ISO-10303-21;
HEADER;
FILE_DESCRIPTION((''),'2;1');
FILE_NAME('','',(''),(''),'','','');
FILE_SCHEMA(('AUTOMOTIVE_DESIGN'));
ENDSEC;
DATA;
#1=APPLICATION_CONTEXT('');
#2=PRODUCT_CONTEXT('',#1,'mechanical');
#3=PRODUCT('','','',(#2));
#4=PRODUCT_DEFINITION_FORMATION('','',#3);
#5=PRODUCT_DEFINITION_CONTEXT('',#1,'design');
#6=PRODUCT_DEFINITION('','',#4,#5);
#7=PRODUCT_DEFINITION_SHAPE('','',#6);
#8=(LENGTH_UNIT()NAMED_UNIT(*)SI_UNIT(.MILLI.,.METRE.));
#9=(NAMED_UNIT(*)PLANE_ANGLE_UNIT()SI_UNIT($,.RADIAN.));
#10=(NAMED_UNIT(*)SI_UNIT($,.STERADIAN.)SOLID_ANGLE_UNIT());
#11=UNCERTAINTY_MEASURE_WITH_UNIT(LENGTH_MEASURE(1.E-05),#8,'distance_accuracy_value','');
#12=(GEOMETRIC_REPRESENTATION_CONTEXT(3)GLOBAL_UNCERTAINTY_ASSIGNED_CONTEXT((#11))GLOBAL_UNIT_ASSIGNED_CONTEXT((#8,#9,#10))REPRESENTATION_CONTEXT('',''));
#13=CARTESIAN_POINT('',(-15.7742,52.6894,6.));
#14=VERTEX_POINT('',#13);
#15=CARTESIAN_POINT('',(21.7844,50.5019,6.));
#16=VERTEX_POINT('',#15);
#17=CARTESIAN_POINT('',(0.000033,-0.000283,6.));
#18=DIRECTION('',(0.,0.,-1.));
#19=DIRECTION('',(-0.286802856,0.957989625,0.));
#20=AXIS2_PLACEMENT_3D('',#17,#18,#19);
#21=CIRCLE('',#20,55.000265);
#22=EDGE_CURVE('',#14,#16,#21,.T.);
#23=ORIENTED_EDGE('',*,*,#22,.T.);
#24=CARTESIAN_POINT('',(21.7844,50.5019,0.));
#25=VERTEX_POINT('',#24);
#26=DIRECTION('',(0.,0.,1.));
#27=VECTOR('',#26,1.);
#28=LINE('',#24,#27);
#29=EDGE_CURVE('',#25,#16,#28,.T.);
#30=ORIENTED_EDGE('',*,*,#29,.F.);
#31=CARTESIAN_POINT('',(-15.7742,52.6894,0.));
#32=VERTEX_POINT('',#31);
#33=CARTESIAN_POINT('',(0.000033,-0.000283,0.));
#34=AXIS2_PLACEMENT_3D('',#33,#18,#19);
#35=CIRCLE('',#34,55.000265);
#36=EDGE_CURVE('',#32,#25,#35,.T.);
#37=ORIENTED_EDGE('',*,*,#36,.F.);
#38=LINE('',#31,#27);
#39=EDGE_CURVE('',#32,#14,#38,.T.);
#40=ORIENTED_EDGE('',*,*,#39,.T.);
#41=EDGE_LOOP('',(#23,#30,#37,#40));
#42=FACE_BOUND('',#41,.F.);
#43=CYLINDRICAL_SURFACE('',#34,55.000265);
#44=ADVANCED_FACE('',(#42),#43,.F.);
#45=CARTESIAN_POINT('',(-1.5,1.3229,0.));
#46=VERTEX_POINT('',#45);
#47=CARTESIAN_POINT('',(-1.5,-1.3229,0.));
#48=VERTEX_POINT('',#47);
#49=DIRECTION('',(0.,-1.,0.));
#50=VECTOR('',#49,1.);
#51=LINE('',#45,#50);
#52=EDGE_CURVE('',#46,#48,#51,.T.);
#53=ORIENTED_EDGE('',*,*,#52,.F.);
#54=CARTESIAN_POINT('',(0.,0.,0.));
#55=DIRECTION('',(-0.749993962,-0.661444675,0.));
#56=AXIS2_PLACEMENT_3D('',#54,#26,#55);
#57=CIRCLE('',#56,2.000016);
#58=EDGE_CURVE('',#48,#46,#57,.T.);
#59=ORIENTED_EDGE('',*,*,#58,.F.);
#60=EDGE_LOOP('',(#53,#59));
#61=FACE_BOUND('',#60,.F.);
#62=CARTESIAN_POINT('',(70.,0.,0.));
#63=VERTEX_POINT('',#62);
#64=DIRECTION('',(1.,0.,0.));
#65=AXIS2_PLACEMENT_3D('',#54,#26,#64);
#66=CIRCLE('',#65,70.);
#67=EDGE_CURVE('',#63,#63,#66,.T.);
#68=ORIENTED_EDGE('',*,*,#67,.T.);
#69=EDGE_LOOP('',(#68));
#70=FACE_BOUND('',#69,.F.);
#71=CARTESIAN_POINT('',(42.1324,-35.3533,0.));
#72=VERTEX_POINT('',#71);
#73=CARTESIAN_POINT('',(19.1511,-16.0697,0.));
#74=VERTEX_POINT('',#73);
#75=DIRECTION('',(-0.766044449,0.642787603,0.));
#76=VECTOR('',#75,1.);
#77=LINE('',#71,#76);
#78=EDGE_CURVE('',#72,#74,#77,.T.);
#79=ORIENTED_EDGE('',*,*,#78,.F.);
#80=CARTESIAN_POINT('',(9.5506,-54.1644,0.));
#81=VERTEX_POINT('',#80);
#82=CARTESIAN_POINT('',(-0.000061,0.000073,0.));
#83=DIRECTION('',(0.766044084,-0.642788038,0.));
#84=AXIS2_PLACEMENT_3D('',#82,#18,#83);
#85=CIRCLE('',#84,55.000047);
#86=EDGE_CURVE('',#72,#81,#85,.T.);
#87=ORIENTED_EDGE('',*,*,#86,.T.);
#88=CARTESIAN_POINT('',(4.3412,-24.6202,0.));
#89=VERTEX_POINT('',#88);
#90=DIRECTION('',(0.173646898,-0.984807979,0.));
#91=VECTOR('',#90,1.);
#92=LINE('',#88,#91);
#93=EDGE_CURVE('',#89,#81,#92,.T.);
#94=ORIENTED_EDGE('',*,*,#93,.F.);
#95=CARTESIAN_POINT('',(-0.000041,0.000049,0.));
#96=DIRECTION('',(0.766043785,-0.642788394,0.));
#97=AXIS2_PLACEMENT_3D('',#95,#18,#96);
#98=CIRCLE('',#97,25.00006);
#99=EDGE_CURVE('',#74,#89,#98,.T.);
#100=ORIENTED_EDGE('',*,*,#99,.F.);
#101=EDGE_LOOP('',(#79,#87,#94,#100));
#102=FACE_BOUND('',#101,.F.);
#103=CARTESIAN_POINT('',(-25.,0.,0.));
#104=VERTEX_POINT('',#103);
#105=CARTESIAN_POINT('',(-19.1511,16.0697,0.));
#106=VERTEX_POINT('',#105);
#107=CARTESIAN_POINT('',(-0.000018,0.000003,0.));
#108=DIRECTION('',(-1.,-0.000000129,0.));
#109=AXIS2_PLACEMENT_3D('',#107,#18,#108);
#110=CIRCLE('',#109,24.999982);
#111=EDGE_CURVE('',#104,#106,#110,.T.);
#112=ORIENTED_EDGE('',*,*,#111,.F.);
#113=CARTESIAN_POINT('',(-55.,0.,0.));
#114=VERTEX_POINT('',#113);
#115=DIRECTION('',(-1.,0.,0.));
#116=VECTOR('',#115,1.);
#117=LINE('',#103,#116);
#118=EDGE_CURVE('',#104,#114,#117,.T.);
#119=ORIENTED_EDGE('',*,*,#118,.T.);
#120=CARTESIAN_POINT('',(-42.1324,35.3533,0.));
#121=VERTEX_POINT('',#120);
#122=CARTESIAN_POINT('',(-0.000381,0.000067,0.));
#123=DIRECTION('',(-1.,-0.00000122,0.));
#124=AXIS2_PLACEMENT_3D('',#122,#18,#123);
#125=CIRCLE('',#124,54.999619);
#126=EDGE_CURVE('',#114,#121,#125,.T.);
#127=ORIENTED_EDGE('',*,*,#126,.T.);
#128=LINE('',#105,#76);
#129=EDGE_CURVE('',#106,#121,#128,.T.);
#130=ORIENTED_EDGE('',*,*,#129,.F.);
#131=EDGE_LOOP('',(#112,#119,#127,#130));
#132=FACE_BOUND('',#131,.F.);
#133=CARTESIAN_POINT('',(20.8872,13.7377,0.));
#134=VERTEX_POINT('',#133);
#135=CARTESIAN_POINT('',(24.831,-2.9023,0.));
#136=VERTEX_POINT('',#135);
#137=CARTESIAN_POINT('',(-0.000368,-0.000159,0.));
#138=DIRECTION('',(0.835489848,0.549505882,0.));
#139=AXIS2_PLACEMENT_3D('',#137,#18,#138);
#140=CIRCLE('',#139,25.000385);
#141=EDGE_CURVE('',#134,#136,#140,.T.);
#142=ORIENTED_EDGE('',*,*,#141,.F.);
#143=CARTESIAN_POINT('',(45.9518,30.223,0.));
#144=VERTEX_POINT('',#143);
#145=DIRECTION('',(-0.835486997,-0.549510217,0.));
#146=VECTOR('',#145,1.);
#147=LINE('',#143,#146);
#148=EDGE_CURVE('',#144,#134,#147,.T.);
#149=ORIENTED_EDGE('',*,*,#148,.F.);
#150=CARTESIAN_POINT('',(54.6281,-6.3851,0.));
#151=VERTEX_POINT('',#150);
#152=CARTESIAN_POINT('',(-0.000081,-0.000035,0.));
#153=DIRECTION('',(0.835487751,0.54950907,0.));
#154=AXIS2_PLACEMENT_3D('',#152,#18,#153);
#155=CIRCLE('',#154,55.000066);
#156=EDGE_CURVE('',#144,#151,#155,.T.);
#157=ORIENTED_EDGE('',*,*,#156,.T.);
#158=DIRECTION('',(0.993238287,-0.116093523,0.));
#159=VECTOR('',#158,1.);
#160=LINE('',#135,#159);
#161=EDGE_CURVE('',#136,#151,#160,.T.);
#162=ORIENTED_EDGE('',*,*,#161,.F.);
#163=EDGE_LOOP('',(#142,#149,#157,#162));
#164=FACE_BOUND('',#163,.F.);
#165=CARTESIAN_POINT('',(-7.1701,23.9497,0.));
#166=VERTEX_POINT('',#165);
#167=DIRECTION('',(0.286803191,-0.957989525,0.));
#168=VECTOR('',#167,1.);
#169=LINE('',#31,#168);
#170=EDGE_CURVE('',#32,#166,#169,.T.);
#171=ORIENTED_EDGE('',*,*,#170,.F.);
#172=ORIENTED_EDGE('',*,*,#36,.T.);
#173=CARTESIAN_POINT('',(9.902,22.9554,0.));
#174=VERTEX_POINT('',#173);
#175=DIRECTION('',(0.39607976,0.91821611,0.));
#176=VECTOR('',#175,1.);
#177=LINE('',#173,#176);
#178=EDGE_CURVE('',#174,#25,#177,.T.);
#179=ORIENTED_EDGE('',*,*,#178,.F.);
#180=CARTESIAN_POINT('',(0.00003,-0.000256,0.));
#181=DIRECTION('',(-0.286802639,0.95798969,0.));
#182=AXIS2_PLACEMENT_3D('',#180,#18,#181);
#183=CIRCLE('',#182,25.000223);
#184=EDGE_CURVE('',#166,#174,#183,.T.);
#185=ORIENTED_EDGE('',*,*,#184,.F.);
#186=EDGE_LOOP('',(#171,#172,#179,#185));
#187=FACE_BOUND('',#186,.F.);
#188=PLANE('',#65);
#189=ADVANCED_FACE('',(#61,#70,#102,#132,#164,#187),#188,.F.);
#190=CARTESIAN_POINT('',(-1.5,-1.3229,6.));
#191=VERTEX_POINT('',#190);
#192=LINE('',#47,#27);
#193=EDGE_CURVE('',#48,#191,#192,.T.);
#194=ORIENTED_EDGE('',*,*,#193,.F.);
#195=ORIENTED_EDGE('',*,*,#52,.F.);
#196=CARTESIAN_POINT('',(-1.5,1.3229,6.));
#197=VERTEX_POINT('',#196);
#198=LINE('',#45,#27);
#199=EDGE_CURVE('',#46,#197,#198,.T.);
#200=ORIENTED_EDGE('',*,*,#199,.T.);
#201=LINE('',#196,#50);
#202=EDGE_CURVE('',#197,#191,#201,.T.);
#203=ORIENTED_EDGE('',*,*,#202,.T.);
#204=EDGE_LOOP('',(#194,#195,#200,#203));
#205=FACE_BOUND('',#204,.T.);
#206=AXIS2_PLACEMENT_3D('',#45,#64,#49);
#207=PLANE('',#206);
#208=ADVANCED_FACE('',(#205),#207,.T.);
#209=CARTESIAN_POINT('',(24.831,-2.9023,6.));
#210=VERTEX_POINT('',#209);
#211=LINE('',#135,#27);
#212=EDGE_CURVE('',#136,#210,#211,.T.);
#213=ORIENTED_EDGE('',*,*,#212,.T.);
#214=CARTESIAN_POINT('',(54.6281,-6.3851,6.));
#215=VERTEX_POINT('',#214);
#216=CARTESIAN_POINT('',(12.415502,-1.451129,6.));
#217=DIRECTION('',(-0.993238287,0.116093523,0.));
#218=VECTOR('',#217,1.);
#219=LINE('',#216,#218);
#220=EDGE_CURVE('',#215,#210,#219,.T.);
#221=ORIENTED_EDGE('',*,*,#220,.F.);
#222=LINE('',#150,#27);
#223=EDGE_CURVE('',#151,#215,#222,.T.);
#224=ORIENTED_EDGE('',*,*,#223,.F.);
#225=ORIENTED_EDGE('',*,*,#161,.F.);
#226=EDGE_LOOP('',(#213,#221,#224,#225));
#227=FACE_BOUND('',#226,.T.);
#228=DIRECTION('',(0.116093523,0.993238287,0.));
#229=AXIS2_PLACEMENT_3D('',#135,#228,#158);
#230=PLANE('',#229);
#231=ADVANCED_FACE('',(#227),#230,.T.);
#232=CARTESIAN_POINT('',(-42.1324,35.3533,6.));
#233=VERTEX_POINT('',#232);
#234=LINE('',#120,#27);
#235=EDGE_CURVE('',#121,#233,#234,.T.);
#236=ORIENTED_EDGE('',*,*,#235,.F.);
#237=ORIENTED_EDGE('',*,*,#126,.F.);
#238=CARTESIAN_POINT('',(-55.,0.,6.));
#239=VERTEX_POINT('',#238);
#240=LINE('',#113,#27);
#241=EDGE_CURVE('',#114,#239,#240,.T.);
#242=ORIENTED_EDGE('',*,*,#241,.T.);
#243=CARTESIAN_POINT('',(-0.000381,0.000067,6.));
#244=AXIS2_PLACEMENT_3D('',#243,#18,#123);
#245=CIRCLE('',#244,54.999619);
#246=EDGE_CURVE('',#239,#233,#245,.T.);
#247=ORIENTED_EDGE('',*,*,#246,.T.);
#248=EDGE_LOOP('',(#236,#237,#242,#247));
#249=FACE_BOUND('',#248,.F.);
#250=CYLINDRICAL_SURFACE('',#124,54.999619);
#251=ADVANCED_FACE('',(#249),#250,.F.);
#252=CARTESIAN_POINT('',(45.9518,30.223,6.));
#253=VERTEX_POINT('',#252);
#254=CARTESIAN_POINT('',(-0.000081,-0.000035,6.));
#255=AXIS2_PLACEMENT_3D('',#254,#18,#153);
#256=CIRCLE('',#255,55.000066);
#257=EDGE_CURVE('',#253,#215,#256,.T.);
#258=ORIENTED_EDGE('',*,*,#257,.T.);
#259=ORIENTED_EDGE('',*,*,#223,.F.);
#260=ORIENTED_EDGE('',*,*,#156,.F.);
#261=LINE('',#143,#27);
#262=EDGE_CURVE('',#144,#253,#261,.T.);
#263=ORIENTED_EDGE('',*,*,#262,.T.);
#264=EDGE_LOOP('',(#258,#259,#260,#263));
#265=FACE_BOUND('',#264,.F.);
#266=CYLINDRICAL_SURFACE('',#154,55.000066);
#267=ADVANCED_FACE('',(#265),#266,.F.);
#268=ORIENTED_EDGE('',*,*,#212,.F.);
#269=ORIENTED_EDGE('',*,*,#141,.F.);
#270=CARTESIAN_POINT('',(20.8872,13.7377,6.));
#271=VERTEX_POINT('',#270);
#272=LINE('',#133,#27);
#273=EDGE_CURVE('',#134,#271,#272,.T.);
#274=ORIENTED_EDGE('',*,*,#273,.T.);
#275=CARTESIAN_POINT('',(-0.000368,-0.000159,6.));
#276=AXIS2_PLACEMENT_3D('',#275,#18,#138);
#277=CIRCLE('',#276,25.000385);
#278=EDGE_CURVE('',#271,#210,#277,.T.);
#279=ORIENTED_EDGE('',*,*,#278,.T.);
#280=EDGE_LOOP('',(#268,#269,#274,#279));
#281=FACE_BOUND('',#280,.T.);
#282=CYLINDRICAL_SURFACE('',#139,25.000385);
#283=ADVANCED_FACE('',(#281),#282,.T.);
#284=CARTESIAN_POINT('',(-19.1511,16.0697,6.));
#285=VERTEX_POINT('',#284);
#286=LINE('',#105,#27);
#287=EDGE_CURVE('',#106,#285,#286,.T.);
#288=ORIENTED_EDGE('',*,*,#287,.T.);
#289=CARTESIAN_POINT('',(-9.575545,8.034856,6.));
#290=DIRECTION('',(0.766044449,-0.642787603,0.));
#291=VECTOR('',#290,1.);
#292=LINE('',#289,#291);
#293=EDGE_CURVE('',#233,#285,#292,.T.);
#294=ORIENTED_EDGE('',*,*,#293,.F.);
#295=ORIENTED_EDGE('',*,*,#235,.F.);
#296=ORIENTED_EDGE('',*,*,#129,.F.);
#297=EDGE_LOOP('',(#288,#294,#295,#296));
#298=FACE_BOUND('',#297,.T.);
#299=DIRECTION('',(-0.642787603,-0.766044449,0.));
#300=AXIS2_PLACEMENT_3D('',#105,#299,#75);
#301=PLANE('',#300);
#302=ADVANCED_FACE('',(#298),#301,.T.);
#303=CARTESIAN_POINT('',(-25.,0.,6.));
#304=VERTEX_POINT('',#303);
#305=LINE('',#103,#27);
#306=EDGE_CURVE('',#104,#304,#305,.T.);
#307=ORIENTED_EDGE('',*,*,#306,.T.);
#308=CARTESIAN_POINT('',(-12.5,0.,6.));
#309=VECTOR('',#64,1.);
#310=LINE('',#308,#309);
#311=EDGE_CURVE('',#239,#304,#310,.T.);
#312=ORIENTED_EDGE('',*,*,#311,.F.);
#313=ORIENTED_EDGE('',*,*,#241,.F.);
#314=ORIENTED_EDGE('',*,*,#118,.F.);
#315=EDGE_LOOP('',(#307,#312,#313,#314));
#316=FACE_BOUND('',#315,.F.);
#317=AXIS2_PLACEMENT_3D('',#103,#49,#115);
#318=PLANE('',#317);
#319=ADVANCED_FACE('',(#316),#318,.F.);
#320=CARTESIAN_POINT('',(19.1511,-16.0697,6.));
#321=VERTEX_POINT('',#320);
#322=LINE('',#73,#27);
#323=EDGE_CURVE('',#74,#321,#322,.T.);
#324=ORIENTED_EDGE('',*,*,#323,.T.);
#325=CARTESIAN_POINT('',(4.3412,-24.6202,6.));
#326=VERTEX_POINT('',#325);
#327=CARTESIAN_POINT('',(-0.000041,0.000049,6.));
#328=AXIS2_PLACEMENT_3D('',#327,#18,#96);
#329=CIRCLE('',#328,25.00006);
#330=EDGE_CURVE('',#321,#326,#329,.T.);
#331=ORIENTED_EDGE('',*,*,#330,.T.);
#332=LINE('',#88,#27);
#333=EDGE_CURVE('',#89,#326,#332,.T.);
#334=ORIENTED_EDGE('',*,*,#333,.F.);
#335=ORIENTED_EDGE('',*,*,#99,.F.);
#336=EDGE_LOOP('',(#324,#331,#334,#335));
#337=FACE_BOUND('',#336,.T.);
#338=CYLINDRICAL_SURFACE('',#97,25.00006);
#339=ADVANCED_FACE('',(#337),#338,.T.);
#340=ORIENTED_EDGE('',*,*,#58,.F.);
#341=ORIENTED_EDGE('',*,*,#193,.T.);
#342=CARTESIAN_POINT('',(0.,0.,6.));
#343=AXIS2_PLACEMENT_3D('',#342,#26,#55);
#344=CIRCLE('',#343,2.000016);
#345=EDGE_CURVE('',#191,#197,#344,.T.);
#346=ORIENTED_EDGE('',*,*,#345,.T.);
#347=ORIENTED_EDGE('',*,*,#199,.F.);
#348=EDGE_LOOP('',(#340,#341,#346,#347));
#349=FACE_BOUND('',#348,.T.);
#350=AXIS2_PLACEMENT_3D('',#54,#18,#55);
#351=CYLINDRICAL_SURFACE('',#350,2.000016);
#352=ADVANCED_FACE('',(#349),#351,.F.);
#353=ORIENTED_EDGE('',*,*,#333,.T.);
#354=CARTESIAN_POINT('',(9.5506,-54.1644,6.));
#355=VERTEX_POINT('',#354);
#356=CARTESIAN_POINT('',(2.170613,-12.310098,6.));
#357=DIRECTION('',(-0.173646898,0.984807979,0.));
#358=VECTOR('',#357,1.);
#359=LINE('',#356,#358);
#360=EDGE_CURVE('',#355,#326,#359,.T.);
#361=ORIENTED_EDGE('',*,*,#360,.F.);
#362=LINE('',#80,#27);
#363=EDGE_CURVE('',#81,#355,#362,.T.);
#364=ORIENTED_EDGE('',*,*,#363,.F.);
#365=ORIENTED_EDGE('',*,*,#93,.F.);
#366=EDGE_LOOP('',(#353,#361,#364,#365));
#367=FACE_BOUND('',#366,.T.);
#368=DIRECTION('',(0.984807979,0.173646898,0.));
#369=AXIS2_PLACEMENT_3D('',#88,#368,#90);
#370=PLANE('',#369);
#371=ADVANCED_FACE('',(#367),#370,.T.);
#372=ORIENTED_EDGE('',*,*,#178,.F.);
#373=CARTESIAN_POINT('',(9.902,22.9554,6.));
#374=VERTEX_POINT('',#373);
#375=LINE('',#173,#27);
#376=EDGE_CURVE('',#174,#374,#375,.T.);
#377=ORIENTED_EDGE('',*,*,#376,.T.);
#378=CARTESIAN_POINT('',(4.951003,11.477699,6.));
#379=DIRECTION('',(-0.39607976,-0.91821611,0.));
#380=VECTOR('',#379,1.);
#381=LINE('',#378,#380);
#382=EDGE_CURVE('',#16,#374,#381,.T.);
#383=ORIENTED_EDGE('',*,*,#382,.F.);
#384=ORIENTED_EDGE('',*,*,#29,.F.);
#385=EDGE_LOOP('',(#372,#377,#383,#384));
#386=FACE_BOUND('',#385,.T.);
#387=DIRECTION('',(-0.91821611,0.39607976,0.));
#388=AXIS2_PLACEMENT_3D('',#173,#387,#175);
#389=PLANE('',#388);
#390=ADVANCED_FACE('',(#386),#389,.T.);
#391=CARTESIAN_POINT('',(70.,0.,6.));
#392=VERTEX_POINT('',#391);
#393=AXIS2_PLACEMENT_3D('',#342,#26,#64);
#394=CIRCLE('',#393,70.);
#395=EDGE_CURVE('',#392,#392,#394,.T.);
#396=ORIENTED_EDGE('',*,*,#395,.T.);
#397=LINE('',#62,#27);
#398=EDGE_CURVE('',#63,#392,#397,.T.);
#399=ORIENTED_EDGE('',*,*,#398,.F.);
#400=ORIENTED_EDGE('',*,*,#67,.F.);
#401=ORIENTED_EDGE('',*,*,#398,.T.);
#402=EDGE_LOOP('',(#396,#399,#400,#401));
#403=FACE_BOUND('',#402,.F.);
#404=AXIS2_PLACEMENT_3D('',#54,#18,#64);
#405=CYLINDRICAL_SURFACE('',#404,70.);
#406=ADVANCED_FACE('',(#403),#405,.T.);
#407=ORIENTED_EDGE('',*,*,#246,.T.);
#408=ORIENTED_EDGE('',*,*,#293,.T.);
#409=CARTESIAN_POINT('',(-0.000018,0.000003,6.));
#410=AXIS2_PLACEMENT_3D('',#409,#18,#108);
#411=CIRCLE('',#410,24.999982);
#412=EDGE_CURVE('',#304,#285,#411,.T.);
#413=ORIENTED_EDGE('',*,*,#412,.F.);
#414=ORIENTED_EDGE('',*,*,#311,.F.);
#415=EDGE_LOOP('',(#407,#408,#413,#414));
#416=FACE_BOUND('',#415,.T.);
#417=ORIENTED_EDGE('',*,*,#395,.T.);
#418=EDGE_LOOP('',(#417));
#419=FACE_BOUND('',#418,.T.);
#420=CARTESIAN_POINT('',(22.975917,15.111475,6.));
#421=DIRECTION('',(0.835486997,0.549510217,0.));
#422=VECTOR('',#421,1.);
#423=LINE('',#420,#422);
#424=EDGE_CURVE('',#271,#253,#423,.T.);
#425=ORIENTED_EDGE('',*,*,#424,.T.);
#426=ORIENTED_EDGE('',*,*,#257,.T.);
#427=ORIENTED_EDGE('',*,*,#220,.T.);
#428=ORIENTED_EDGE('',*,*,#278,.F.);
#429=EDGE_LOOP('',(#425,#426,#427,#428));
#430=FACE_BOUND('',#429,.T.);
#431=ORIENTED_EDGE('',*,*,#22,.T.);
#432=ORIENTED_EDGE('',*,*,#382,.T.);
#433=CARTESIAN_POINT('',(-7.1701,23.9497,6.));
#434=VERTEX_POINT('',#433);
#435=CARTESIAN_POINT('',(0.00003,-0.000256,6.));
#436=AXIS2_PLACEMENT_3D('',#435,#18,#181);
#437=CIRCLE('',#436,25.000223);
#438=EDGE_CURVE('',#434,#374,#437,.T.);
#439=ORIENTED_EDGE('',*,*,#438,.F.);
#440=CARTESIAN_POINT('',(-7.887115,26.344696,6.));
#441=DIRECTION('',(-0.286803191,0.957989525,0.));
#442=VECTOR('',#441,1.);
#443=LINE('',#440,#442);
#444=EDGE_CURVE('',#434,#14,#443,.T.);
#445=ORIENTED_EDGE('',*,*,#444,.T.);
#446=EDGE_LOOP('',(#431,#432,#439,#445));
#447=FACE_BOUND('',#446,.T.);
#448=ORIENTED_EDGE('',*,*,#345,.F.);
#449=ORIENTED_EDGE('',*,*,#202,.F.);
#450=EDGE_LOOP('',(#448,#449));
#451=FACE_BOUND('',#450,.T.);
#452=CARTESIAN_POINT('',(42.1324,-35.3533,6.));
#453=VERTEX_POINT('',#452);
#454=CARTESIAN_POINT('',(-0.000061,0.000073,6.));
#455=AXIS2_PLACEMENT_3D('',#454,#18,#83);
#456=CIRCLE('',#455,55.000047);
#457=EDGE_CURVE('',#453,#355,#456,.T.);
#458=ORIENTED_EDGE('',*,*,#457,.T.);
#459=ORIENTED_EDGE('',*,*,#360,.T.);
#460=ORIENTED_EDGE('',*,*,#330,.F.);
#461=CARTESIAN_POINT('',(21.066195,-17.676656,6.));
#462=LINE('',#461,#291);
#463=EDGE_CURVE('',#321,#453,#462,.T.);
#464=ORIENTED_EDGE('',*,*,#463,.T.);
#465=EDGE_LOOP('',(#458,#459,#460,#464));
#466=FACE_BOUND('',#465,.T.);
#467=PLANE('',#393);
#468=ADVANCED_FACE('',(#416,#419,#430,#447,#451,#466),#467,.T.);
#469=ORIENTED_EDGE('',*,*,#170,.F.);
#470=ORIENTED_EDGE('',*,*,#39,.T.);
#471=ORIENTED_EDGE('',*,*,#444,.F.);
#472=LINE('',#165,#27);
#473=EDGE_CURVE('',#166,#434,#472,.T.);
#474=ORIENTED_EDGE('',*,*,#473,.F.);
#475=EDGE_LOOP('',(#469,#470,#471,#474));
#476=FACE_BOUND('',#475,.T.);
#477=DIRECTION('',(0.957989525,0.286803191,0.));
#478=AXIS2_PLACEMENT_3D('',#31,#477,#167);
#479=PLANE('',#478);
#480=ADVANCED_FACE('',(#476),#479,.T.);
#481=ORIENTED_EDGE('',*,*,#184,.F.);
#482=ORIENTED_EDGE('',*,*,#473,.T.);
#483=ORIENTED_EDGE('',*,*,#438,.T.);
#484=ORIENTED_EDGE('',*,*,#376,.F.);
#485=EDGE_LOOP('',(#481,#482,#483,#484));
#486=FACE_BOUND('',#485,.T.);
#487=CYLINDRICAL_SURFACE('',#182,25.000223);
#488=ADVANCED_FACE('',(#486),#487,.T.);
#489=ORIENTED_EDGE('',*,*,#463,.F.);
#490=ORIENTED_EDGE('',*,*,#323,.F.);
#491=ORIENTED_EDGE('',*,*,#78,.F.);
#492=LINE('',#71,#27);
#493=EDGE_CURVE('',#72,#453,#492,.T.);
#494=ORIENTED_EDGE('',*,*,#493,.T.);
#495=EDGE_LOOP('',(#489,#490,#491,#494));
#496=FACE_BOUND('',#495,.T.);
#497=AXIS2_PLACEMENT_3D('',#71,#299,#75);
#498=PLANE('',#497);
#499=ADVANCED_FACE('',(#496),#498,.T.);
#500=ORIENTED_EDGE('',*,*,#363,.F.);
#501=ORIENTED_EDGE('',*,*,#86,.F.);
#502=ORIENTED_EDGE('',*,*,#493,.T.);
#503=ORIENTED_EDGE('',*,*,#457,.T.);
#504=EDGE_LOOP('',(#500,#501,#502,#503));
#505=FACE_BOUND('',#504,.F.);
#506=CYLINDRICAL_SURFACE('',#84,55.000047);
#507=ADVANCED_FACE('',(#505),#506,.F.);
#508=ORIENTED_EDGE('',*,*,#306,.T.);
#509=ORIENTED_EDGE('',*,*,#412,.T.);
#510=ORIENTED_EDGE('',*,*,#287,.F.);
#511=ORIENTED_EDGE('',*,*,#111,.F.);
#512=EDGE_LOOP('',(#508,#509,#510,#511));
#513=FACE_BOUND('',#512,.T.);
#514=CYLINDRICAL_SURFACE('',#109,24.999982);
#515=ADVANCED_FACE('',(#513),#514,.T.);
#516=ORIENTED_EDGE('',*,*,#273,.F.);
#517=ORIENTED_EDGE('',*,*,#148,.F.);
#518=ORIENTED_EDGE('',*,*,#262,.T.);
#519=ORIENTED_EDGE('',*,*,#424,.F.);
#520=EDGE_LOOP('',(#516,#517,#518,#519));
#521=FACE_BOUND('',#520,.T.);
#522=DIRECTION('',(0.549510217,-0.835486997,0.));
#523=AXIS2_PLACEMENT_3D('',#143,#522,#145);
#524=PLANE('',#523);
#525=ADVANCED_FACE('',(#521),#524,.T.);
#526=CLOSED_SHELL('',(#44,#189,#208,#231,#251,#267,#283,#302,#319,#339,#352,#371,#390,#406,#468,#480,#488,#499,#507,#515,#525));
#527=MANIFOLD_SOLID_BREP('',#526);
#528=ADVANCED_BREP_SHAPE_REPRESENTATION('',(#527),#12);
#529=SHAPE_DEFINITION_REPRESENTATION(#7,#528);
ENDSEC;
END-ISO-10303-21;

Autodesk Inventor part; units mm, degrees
ref_plane "YZ Plane" through (0, 0, 0) normal (1, 0, 0) x (0, 1, 0)
ref_plane "XZ Plane" through (0, 0, 0) normal (0, 1, 0) x (-1, 0, 0)
ref_plane "XY Plane" through (0, 0, 0) normal (0, 0, 1) x (1, 0, 0)
sketch "Sketch1" plane through (0, 0, 0) normal (0, 0, 1) x (1, 0, 0)
  arc A0 (-1.5, -1.3229) -> (-1.5, 1.3229) centre (0, 0) ccw
  line L0 (-1.5, 1.3229) -> (-1.5, -1.3229)
  circle A1 centre (0, 0) radius 70
  dimension "d0" = 4
  dimension "d1" = 1.5
  dimension "d2" = 140
extrude "Extrusion1" add sketch "Sketch1" along normal blind 6
sketch "Sketch2" plane through (0, 0, 0) normal (0, 0, -1) x (-1, 0, 0)
  circle A0 centre (0, 0) radius 70 construction
  arc A1 (1.5, 1.3229) -> (1.5, -1.3229) centre (0, 0) ccw construction
  circle A2 centre (0, 0) radius 70
  line L0 (1.5, -1.3229) -> (1.5, 1.3229) construction
  arc A3 (1.5, 1.3229) -> (1.5, -1.3229) centre (0, 0) ccw construction
  line L1 (0, 0) -> (-1.5321, 1.2856)
  arc A4 (55, 0) -> (42.1324, 35.3533) centre (0, 0) ccw
  line L2 (0, 0) -> (1.5, 0) construction
  line L3 (25, 0) -> (55, 0) construction
  line L4 (0, 0) -> (1.5, 1.2586)
  line L5 (19.1511, 16.0697) -> (42.1324, 35.3533)
  line L6 (0, 0) -> (1.5, 0) construction
  line L7 (25, 0) -> (55, 0) construction
  line L8 (0, 0) -> (1.5, 0)
  line L9 (25, 0) -> (70, 0)
  line L10 (55, 0) -> (25, 0)
  line L11 (-9.902, 22.9554) -> (-21.7844, 50.5019)
  line L12 (15.7742, 52.6894) -> (7.1701, 23.9497)
  arc A5 (15.7742, 52.6894) -> (-21.7844, 50.5019) centre (0, 0) ccw
  line L13 (-24.831, -2.9023) -> (-54.6281, -6.3851)
  line L14 (-45.9518, 30.223) -> (-20.8872, 13.7377)
  arc A6 (-45.9518, 30.223) -> (-54.6281, -6.3851) centre (0, 0) ccw
  line L15 (-4.3412, -24.6202) -> (-9.5506, -54.1644)
  line L16 (-42.1324, -35.3533) -> (-19.1511, -16.0697)
  arc A7 (-42.1324, -35.3533) -> (-9.5506, -54.1644) centre (0, 0) ccw
  arc A8 (-19.1511, -16.0697) -> (-4.3412, -24.6202) centre (0, 0) ccw
  arc A9 (-20.8872, 13.7377) -> (-24.831, -2.9023) centre (0, 0) ccw
  arc A10 (25, 0) -> (19.1511, 16.0697) centre (0, 0) ccw
  arc A11 (7.1701, 23.9497) -> (-9.902, 22.9554) centre (0, 0) ccw
  dimension "d10" = 110
  dimension "d13" = 220
extrude "Extrusion4" cut sketch "Sketch2" against normal through all contours L9 A10 L5 A4 | L11 A5 L12 A11 | L13 A6 L14 A9 | L15 A7 L16 A8
properties part number "back_cir_hold2"
